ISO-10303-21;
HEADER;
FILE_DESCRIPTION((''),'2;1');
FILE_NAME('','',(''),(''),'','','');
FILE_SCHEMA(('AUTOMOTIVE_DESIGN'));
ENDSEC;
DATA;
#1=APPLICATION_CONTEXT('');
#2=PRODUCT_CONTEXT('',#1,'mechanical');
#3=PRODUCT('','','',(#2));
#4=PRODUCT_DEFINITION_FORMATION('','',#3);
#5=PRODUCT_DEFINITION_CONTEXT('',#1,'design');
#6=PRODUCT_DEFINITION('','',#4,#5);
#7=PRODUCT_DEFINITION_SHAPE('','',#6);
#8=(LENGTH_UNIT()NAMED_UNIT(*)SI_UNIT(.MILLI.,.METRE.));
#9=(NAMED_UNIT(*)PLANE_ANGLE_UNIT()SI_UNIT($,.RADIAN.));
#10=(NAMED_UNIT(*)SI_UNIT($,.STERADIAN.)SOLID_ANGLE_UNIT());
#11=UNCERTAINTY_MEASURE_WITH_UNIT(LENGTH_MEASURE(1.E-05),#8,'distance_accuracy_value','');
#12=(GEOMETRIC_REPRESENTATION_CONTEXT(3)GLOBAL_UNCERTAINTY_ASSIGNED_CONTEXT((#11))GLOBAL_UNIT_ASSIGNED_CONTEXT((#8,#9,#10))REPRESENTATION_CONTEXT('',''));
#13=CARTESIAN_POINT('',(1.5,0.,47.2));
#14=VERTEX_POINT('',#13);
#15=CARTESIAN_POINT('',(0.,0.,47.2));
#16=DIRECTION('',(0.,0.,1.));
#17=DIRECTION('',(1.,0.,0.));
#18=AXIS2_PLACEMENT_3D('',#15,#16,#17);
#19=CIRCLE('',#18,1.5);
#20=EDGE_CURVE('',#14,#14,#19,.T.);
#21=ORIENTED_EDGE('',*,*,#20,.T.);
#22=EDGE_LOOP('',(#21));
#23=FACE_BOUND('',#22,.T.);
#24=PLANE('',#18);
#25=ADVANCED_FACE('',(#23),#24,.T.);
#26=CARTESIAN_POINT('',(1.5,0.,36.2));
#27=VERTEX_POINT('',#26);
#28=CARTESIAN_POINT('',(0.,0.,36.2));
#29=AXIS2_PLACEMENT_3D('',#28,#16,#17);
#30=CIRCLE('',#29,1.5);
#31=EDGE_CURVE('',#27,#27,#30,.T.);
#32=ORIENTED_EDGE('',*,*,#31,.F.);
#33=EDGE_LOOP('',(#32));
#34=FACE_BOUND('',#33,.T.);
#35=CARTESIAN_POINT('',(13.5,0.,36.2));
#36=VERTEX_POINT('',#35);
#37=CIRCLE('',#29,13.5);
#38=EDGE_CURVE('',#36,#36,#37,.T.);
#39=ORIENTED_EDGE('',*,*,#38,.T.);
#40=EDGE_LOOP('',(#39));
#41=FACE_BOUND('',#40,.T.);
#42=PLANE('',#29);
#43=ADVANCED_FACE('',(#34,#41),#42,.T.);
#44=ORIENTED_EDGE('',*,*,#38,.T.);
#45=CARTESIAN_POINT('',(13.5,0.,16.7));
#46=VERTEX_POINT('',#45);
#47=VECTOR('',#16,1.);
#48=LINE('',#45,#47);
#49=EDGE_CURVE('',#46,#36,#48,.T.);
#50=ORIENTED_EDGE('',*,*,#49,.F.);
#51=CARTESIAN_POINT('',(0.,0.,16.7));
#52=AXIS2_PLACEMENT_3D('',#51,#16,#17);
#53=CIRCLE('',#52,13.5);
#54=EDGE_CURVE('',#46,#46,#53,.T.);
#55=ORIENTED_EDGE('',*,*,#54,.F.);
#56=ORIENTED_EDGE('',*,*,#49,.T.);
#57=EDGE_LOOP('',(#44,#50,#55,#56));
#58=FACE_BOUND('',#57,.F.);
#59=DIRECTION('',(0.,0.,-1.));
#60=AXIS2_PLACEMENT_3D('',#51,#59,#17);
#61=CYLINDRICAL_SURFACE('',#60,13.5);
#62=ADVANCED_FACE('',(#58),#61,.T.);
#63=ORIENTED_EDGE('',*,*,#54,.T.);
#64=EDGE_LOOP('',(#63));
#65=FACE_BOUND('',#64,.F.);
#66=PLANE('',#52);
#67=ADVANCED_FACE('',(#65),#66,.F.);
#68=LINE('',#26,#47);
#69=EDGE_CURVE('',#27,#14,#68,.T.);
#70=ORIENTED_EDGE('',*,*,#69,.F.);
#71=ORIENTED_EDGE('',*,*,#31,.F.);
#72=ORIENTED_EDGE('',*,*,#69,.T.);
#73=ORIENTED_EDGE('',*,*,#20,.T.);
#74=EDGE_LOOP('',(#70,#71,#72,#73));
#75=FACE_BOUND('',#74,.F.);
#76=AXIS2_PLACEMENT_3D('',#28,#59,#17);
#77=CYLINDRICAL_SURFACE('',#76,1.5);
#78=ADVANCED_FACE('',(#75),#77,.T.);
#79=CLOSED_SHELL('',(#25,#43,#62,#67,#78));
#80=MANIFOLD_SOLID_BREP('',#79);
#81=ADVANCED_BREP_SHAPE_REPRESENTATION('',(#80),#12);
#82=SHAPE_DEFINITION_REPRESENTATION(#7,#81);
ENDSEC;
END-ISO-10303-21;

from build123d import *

# Parameters (mm, degrees)
CYLINDER063_R     = 1.5
CYLINDER063_DEPTH = 11
CYLINDER062_R     = 13.5
CYLINDER062_DEPTH = 19.5


with BuildPart() as servo_pot_shaft:
    # Cylinder063 → Cylinder063 (new body)
    with BuildSketch(Plane.XY.offset(19.5)):
        Circle(CYLINDER063_R)
    extrude(amount=CYLINDER063_DEPTH)


with BuildPart() as servo_pot:
    # Cylinder062 → Cylinder062 (new body)
    with BuildSketch(Plane.XY):
        Circle(CYLINDER062_R)
    extrude(amount=CYLINDER062_DEPTH)

    # Fusion027: union servo-pot-shaft
    add(servo_pot_shaft.part)


with BuildPart() as servo_pot_1:
    # Fusion027 placement: moved
    add(servo_pot.part.moved(Location((0, 0, 16.7))))


solid = servo_pot_1.part
